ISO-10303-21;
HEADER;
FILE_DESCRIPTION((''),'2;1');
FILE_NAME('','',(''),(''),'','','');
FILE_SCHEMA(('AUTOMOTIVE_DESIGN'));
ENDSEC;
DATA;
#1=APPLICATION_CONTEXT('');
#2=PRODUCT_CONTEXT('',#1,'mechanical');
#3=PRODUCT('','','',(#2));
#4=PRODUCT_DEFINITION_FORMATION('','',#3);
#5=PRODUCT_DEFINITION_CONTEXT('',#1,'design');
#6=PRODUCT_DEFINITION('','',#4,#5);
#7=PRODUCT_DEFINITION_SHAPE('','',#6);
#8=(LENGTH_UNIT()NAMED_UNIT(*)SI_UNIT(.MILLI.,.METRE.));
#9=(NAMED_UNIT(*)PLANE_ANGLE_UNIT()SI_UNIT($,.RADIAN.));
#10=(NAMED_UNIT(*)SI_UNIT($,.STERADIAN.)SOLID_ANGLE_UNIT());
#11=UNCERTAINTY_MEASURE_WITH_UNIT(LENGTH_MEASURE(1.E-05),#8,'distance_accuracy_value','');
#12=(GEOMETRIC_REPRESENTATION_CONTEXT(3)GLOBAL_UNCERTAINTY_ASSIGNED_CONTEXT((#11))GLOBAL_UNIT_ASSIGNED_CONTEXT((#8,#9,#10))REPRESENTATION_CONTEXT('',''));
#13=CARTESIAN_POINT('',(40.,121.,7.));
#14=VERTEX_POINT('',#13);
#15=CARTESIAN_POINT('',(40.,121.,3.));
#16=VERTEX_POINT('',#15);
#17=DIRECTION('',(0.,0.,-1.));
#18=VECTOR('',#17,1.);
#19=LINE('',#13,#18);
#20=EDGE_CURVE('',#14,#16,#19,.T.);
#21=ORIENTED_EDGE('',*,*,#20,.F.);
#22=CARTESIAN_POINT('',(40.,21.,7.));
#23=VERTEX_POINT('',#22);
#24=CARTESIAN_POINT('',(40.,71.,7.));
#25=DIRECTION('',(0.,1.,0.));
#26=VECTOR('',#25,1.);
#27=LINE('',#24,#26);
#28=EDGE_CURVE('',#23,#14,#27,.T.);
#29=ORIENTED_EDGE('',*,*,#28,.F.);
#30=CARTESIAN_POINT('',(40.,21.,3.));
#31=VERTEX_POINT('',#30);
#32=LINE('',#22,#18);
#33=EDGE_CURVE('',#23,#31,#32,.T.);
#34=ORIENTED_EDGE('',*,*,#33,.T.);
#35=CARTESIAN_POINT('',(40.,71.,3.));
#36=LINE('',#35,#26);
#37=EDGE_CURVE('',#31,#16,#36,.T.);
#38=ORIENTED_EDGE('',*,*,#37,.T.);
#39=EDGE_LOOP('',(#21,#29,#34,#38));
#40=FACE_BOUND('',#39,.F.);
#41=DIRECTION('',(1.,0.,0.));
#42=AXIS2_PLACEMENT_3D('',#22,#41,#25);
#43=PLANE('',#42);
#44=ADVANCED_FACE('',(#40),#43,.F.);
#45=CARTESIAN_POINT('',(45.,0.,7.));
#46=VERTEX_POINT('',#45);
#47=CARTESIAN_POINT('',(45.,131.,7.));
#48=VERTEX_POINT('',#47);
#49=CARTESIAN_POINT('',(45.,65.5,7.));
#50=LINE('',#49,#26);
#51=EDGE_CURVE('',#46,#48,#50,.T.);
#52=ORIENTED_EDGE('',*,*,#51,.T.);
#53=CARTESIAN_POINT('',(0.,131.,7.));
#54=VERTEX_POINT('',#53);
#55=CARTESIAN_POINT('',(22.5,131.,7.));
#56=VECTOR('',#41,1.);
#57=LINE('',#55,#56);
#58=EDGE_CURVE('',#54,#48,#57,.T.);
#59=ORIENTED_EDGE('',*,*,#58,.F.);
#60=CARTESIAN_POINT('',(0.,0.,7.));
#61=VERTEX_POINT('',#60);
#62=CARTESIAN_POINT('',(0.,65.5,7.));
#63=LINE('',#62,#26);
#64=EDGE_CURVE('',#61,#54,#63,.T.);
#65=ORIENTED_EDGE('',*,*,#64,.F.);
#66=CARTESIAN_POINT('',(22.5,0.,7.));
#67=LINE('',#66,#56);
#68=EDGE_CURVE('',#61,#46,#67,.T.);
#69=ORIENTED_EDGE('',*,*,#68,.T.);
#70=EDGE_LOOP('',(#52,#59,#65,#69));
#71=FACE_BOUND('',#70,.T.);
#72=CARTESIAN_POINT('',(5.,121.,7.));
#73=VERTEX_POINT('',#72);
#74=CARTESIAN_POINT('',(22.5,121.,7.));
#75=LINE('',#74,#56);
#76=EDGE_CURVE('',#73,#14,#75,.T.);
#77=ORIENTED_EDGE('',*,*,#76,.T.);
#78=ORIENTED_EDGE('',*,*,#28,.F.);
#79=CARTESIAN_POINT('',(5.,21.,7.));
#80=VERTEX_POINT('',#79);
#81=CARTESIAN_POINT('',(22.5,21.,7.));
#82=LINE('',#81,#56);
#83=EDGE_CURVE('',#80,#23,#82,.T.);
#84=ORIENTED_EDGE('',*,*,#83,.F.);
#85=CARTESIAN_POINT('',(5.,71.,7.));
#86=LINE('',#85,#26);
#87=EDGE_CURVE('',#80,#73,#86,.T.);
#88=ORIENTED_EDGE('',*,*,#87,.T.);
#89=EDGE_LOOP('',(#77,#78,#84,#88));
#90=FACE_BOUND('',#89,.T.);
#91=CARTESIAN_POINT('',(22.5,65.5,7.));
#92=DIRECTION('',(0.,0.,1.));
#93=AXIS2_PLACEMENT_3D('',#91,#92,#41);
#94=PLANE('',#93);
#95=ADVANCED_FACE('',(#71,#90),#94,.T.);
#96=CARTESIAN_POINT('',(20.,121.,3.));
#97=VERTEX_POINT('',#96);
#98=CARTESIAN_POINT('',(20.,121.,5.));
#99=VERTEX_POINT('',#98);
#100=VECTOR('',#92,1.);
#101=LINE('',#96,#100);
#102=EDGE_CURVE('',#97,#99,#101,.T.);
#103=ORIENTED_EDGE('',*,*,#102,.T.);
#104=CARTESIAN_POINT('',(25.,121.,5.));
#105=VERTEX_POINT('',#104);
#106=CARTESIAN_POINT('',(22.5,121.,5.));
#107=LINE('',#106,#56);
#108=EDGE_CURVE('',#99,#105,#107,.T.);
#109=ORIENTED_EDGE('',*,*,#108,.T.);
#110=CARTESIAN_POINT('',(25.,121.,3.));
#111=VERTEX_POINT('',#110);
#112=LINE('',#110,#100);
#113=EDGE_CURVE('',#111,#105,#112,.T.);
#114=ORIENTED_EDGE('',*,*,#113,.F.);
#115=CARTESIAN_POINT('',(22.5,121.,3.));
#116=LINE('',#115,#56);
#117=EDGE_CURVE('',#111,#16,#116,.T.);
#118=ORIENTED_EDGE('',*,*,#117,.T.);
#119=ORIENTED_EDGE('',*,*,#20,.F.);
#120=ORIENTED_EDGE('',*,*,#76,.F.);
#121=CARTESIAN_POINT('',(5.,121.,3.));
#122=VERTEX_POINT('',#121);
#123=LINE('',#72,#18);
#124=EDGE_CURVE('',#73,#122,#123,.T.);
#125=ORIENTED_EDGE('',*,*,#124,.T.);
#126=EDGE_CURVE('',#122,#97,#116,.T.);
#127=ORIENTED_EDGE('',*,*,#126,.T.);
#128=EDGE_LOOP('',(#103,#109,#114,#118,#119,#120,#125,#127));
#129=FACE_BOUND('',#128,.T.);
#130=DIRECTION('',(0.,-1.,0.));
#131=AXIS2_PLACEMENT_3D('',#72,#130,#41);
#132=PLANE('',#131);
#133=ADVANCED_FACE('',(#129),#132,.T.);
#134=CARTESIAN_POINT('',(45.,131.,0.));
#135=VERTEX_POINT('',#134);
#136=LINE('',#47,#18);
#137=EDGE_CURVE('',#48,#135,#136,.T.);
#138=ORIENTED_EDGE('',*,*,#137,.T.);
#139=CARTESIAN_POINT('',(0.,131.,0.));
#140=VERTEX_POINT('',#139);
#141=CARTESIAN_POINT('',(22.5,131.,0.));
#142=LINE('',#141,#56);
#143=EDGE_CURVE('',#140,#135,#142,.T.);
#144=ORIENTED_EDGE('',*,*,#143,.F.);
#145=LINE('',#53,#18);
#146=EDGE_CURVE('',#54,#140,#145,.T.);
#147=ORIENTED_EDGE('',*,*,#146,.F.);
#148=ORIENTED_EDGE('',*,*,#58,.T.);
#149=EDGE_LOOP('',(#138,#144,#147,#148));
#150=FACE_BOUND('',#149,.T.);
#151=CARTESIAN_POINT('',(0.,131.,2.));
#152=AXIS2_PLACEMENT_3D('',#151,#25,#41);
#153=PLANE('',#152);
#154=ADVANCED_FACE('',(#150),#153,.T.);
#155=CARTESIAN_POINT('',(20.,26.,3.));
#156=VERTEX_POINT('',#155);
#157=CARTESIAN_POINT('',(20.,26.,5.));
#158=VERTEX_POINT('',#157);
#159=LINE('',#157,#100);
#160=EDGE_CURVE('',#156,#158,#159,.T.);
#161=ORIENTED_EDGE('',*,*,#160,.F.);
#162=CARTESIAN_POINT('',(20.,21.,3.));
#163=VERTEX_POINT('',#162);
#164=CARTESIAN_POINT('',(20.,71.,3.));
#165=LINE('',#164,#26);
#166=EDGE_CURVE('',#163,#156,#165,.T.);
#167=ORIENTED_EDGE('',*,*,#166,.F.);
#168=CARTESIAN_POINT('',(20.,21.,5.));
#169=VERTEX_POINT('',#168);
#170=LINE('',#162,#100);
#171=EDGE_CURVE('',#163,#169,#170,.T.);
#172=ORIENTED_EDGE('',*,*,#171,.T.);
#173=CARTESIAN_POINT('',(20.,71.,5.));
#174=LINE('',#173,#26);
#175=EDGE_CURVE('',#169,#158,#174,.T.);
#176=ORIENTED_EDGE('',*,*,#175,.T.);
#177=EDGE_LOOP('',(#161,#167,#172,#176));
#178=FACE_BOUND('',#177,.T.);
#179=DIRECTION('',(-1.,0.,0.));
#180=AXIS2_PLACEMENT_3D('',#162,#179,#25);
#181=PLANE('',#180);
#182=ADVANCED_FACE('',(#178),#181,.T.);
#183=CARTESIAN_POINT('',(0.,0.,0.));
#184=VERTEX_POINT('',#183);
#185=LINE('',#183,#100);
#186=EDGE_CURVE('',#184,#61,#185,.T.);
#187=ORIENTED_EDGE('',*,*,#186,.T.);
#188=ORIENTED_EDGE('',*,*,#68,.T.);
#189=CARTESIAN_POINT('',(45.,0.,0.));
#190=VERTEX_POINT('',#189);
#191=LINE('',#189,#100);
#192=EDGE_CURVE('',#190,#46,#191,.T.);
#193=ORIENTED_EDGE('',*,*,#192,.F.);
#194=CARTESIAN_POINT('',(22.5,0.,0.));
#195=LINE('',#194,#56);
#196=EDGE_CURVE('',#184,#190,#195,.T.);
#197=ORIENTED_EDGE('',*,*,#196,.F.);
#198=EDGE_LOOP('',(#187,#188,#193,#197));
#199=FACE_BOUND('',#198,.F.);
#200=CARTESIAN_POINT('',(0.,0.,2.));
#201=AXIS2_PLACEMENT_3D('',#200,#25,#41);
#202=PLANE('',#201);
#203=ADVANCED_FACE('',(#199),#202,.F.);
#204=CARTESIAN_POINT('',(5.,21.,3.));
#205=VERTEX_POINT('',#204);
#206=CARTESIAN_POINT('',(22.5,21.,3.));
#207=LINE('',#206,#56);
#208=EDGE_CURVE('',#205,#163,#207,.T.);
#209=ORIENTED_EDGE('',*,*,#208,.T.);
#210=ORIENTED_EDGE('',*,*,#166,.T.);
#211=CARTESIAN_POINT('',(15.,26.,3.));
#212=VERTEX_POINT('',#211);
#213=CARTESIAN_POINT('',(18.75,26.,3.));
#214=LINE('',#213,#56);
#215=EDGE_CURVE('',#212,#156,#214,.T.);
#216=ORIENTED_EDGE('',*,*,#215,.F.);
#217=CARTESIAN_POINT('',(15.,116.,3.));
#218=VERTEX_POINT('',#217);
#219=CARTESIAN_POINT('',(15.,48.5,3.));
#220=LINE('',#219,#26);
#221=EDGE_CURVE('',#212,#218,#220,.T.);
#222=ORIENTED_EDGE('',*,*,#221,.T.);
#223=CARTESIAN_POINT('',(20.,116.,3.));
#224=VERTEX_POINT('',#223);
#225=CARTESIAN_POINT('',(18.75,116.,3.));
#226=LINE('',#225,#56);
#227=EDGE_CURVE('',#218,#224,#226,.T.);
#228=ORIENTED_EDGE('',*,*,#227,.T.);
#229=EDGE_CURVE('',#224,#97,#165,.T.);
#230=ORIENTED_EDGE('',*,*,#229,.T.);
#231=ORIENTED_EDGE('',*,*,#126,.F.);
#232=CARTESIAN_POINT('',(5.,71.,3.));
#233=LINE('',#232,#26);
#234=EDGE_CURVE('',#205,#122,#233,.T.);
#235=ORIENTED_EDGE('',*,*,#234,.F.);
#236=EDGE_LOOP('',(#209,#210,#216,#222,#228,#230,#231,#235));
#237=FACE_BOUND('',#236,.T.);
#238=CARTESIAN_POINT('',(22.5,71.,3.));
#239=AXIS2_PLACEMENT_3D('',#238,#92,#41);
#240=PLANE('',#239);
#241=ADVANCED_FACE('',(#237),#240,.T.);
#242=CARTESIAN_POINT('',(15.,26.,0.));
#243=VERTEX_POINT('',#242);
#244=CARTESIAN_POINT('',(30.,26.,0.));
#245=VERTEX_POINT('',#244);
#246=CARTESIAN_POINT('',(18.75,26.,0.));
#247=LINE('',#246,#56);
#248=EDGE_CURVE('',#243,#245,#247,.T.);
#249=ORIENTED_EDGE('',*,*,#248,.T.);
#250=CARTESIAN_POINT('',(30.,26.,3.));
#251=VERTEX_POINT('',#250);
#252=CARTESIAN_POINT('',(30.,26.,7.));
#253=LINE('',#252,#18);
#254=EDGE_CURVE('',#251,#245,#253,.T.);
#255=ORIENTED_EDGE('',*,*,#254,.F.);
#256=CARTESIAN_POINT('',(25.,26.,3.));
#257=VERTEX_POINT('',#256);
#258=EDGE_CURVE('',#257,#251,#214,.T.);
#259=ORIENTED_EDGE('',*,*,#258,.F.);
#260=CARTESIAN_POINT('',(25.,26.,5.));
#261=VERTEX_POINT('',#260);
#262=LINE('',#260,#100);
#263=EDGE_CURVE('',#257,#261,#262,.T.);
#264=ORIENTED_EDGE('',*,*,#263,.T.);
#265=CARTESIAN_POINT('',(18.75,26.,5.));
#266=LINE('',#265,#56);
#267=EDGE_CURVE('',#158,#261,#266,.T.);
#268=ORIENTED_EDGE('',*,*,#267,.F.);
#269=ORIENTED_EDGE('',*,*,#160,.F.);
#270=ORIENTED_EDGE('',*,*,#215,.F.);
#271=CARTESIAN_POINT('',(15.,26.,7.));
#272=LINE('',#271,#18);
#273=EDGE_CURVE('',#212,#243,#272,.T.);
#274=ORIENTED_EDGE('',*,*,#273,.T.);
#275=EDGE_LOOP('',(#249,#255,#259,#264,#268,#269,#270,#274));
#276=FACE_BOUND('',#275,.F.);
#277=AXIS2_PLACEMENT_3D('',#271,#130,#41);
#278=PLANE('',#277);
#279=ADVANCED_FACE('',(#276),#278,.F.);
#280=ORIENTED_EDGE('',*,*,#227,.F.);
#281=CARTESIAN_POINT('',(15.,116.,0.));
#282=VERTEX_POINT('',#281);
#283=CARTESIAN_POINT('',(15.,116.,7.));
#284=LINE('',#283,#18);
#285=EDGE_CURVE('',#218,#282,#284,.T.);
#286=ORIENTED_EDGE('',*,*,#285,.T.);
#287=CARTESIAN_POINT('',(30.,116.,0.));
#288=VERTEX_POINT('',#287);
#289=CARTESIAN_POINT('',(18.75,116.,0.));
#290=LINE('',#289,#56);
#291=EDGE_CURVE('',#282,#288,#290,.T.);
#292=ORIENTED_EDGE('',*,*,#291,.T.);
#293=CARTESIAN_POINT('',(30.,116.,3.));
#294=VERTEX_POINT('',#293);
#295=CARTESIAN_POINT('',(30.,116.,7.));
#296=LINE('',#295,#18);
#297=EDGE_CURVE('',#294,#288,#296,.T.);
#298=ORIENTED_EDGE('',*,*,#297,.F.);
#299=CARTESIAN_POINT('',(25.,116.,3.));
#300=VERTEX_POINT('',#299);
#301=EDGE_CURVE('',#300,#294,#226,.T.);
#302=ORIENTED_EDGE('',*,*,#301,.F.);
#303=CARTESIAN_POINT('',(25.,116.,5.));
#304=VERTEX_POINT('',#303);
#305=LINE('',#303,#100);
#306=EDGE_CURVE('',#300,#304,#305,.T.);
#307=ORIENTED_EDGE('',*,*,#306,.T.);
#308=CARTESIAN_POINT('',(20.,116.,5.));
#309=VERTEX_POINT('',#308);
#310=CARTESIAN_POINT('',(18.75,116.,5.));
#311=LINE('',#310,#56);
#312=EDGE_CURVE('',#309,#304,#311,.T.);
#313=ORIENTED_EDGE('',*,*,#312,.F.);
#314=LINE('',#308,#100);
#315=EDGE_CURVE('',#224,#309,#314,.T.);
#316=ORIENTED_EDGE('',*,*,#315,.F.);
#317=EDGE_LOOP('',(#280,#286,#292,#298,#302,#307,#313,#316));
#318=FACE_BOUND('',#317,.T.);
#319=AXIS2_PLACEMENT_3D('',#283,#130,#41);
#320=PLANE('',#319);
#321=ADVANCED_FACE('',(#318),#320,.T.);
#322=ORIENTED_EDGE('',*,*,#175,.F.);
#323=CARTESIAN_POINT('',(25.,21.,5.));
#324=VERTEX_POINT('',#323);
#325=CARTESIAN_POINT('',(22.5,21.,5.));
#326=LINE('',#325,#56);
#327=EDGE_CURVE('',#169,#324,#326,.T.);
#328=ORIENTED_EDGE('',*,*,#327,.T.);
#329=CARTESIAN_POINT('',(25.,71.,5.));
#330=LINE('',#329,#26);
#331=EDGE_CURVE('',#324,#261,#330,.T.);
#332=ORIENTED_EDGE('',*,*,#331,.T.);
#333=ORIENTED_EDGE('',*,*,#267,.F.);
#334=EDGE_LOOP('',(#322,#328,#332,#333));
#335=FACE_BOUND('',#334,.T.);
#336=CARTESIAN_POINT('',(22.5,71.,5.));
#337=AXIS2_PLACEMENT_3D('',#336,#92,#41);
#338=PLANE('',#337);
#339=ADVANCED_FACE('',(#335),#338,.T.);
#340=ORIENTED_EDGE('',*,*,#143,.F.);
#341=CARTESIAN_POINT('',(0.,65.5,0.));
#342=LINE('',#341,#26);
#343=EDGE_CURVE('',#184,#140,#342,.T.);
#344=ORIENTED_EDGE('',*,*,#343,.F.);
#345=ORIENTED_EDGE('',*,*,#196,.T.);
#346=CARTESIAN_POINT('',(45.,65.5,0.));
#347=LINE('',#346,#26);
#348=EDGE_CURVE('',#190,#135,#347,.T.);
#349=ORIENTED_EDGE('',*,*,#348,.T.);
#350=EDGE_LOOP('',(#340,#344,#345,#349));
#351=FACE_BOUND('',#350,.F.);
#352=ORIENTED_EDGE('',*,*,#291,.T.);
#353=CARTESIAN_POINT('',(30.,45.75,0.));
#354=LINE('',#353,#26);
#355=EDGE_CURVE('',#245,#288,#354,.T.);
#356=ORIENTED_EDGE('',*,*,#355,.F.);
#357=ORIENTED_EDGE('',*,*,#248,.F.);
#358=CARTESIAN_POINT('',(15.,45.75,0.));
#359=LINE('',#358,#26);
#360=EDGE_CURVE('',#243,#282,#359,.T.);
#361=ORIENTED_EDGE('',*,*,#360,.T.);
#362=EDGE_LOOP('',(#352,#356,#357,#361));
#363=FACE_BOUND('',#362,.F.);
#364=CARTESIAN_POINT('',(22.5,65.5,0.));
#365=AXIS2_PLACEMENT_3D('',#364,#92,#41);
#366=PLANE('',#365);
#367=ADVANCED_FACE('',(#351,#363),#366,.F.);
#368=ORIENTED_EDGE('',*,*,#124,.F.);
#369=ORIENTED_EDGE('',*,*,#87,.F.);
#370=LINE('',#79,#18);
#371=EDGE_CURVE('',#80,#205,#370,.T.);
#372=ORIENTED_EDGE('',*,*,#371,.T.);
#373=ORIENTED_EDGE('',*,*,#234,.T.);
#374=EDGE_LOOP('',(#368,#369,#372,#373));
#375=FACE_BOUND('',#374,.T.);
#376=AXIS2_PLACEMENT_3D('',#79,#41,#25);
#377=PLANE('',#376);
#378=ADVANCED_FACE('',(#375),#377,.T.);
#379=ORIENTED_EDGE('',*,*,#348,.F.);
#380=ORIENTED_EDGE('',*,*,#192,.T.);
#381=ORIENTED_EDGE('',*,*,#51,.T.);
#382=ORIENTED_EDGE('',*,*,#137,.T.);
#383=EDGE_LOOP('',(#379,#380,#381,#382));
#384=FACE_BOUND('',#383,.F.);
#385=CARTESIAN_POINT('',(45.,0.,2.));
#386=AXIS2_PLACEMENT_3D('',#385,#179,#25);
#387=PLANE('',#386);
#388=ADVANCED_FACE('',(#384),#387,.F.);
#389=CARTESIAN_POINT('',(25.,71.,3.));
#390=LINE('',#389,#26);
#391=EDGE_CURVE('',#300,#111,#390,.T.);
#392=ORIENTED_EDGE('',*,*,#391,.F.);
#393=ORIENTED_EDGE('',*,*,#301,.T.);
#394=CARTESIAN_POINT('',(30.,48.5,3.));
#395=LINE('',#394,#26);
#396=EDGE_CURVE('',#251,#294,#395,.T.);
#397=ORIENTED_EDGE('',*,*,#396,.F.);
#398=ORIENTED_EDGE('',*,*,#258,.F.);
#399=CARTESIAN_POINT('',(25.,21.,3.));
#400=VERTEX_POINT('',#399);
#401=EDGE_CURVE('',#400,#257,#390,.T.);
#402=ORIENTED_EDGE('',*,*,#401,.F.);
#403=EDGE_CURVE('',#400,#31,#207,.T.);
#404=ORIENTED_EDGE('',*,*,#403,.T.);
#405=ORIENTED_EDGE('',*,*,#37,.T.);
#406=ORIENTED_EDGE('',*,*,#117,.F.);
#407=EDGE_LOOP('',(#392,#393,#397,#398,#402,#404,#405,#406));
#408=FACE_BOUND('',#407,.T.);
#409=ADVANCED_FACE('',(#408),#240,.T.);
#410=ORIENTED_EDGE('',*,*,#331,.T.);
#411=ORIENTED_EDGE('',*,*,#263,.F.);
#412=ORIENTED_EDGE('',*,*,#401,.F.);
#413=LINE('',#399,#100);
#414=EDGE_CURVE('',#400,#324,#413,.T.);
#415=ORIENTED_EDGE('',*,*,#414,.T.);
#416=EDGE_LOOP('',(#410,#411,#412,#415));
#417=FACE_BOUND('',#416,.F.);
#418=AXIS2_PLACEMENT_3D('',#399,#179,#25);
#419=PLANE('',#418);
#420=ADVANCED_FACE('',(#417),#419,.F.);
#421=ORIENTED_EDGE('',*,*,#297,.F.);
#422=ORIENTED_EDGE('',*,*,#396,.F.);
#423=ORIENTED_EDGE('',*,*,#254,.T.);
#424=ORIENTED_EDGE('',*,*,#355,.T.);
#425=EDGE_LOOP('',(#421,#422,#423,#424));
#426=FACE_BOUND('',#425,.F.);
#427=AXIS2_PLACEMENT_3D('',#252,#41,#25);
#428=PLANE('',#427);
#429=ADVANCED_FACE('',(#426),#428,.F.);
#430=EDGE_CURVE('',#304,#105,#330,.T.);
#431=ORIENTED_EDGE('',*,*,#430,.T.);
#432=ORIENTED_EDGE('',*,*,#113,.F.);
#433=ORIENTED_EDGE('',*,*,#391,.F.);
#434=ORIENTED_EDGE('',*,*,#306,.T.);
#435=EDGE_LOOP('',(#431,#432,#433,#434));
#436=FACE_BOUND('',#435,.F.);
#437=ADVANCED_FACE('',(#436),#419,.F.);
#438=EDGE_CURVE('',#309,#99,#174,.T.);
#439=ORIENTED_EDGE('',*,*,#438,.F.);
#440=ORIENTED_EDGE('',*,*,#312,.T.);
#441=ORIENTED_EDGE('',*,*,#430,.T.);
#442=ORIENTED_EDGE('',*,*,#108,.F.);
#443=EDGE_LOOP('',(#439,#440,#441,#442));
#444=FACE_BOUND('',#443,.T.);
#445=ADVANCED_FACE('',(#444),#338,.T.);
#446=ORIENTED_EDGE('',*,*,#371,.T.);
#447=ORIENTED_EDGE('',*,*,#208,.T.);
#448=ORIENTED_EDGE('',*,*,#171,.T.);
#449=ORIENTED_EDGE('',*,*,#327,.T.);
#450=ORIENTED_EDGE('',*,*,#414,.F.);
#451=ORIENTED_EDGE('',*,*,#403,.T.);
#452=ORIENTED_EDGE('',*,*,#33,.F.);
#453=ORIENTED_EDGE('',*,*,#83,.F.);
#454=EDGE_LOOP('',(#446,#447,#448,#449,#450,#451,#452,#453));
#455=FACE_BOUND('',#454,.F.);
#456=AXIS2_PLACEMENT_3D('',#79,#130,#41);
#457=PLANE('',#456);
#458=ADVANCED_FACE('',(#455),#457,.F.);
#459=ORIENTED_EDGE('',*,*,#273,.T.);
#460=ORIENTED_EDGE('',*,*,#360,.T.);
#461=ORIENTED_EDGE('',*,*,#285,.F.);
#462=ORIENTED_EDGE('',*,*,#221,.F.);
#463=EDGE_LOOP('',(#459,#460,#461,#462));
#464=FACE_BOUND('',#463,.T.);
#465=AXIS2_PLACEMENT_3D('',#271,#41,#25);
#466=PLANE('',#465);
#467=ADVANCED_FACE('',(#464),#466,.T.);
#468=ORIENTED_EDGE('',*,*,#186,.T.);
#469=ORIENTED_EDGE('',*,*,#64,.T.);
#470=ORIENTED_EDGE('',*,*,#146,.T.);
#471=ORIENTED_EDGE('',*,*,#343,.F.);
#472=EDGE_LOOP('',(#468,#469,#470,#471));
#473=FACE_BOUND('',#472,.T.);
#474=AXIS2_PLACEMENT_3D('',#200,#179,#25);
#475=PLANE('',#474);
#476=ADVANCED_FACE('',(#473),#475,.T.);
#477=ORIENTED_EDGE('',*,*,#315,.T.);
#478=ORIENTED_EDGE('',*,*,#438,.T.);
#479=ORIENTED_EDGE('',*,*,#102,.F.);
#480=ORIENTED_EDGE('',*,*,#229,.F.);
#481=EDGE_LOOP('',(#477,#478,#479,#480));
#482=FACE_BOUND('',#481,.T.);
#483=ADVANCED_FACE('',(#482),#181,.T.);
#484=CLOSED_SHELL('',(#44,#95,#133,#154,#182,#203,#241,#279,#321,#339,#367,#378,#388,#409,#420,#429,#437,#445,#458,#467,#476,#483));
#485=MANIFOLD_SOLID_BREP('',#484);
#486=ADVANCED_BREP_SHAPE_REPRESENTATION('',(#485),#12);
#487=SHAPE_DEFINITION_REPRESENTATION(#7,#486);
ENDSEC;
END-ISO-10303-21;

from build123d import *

# Parameters (mm, degrees)
F0_W     = 45
F0_H     = 131
F1_DEPTH = 2
F2_W     = 45
F2_H     = 131
F3_DEPTH = 5
F5_W     = 35
F5_H     = 100
F6_DEPTH = 4
F7_W     = 5
F7_H     = 100
F8_DEPTH = 2
F4_W     = 15
F4_H     = 90
F9_DEPTH = 7.001


with BuildPart() as f1:
    # F0 (on Top) → F1 (new body)
    with BuildSketch(Plane.XY):
        with Locations((22.5, 65.5)):
            Rectangle(F0_W, F0_H)
    extrude(amount=F1_DEPTH)

    # F2 (on face) → F3 (join)
    with BuildSketch(Plane.XY.offset(2)):
        with Locations((22.5, 65.5)):
            Rectangle(F2_W, F2_H)
    extrude(amount=F3_DEPTH)

    # F5 (on face) → F6 (cut)
    with BuildSketch(Plane.XY.offset(7)):
        with Locations((22.5, 71)):
            Rectangle(F5_W, F5_H)
    extrude(amount=-F6_DEPTH, mode=Mode.SUBTRACT)

    # F7 (on face) → F8 (join)
    with BuildSketch(Plane.XY.offset(3)):
        with Locations((22.5, 71)):
            Rectangle(F7_W, F7_H)
    extrude(amount=F8_DEPTH)

    # F4 (on face) → F9 (cut, through all)
    with BuildSketch(Plane.XY.offset(7)):
        with Locations((22.5, 71)):
            Rectangle(F4_W, F4_H)
    extrude(amount=-F9_DEPTH, mode=Mode.SUBTRACT)


solid = f1.part
